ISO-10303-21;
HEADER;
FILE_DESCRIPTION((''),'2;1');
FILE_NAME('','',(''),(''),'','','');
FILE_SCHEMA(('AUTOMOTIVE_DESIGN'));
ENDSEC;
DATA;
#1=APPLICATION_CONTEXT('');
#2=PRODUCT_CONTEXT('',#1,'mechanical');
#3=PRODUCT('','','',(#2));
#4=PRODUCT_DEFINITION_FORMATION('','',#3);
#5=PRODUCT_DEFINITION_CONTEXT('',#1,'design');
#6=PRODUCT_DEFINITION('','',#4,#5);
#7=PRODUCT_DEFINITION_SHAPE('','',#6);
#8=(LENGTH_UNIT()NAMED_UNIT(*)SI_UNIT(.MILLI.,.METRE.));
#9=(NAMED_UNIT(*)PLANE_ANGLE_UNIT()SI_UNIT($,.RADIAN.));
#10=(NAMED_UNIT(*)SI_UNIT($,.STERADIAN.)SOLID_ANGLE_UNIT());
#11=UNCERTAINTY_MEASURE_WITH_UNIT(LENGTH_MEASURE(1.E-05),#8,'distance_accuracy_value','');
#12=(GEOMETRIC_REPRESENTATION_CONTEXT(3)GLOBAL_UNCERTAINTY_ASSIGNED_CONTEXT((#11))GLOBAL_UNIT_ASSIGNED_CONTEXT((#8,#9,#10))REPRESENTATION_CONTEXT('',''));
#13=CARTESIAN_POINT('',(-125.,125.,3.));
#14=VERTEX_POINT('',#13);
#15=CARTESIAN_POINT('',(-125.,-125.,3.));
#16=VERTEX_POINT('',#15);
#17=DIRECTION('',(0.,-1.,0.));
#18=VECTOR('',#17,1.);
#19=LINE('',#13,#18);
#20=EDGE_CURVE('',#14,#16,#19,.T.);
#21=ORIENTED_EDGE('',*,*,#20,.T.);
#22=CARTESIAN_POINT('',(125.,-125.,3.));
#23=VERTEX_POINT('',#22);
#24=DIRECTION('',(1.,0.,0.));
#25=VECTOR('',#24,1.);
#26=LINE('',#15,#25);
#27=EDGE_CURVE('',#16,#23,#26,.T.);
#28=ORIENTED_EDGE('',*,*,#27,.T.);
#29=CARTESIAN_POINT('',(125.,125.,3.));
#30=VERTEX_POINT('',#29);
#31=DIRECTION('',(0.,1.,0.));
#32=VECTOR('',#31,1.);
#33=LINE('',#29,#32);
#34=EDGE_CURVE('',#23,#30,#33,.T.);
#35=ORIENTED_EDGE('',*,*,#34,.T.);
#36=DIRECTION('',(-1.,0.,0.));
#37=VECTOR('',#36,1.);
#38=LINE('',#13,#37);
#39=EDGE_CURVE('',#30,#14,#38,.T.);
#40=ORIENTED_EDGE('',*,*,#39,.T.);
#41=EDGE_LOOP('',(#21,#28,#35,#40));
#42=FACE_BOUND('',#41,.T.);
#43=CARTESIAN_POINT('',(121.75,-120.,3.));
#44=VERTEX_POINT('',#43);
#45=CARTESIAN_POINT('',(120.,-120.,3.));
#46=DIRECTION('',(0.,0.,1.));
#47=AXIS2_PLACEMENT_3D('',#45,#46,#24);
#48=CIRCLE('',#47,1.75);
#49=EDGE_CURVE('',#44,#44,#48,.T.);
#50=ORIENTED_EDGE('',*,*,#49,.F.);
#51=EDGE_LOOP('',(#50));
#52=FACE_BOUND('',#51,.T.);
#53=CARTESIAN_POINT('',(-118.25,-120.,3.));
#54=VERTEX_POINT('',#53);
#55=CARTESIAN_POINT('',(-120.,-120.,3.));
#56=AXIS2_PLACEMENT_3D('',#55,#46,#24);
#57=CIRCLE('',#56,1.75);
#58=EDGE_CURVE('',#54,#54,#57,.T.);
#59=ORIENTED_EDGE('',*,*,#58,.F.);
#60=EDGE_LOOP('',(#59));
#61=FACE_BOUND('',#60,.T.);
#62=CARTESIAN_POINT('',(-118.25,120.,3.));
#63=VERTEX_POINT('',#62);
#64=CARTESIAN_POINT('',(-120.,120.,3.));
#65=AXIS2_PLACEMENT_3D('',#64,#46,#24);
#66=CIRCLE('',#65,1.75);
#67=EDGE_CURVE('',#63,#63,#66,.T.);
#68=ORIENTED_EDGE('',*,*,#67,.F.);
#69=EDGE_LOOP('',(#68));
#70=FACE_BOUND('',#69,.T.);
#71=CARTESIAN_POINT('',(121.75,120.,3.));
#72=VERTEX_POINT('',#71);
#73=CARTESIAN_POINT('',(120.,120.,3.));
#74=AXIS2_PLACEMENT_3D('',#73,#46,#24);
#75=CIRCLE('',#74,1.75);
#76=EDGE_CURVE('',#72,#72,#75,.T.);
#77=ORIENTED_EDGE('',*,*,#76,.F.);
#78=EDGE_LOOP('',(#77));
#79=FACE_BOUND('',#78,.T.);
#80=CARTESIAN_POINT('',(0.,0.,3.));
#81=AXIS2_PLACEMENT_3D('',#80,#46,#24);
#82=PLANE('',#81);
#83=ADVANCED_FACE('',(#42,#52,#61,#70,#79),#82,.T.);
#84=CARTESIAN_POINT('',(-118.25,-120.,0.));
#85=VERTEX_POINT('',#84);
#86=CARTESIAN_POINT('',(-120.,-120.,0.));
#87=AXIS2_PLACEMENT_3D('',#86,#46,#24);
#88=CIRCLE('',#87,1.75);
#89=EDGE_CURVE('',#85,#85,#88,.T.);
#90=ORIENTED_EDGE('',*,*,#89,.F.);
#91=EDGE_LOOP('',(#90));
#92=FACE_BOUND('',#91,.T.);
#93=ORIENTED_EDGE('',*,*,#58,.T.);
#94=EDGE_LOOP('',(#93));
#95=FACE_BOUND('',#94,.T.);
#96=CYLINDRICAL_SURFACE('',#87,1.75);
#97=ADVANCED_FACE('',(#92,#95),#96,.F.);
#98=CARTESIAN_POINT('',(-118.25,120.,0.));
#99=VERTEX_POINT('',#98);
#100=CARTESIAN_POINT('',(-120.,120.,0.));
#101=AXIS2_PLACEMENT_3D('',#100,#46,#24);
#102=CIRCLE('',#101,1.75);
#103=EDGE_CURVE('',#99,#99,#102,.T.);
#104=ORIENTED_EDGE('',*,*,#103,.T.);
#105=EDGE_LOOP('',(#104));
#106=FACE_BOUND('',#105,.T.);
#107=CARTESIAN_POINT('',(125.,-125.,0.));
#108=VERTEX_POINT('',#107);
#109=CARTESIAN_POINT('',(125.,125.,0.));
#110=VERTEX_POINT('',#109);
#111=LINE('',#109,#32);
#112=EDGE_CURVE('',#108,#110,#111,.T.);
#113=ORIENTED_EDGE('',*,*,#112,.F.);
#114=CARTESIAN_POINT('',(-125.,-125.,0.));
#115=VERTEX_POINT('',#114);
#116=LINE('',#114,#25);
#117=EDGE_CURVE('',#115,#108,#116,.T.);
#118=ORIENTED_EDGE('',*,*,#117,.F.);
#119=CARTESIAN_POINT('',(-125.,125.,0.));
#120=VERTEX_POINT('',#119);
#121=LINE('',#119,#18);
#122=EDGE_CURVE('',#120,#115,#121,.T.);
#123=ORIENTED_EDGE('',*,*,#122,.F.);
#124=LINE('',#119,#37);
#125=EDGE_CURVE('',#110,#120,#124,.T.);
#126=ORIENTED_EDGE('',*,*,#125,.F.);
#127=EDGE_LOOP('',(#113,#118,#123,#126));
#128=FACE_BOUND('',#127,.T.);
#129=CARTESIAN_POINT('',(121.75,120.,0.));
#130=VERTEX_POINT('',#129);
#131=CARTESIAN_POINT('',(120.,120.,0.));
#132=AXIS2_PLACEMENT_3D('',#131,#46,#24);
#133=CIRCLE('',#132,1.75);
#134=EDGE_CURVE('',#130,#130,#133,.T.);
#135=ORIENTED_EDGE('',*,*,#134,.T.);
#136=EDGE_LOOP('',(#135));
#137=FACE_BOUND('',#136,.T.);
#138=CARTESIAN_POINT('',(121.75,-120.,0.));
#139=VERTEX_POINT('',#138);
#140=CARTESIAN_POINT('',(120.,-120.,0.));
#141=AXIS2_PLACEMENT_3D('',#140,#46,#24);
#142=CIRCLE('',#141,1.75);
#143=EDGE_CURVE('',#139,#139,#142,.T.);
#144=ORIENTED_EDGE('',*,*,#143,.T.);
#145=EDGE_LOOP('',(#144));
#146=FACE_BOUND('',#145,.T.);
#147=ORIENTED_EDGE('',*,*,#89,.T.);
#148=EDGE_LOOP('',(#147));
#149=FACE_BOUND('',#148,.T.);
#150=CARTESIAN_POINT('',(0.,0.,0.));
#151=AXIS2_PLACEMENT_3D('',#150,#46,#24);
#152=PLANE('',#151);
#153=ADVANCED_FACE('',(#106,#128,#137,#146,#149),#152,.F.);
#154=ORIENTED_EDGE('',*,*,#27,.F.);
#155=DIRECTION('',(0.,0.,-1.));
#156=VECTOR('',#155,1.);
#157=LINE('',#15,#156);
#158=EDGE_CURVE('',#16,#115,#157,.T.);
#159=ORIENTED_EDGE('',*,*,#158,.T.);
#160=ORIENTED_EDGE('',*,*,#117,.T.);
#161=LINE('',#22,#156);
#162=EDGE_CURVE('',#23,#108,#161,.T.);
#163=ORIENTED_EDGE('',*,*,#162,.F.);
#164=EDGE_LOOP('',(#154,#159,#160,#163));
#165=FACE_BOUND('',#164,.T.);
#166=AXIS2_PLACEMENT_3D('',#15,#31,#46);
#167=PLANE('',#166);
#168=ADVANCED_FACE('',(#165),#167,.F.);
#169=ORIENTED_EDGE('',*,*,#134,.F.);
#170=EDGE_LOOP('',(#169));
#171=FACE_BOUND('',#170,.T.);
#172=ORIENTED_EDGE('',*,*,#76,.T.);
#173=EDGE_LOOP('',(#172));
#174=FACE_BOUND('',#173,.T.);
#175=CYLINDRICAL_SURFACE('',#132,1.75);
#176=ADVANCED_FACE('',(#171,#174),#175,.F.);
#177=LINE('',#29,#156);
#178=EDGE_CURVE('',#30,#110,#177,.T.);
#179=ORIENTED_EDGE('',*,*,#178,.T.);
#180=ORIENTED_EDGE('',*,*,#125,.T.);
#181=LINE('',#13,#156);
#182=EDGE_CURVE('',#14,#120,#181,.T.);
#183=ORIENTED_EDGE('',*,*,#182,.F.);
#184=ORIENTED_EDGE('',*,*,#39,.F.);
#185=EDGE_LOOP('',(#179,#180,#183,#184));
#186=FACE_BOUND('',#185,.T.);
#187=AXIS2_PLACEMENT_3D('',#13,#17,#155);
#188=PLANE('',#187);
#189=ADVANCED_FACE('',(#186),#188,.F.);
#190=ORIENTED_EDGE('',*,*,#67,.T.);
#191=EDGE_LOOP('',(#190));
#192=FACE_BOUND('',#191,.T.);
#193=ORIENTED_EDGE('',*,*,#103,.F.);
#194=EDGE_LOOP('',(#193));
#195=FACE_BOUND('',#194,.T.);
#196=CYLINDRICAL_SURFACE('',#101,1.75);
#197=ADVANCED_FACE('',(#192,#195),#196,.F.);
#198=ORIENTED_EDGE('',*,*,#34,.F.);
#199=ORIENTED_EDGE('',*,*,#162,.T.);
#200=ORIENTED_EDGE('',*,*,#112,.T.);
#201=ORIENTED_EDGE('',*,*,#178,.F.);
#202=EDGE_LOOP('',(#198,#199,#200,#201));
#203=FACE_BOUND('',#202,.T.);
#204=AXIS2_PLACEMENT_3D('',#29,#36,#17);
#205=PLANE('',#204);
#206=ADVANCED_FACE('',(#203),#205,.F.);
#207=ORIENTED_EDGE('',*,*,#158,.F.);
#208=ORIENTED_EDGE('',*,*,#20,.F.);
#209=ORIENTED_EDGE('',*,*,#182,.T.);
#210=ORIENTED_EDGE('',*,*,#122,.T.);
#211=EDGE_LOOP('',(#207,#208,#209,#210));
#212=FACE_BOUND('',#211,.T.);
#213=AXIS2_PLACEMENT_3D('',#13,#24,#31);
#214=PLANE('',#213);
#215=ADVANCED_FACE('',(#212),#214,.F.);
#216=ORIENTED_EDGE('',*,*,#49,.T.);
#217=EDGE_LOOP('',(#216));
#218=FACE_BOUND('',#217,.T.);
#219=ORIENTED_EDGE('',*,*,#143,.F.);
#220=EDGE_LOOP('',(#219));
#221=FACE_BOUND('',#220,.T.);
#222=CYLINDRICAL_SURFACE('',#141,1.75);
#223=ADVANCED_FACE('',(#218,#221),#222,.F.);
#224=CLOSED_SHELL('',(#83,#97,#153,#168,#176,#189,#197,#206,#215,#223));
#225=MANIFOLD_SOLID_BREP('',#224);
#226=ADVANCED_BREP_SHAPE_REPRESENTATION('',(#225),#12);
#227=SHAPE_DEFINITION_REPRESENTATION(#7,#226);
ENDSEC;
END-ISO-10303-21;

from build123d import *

# Parameters (mm, degrees)
SKETCH1_W           = 250
SKETCH1_H           = 250
BOSS_EXTRUDE1_DEPTH = 3
SKETCH3_R           = 1.75
CUT_EXTRUDE1_DEPTH  = 3


with BuildPart() as part:
    # Sketch1 → Boss-Extrude1 (new body)
    with BuildSketch(Plane.XY):
        Rectangle(SKETCH1_W, SKETCH1_H)
    extrude(amount=BOSS_EXTRUDE1_DEPTH)

    # Sketch3 → Cut-Extrude1 (cut)
    with BuildSketch(Plane.XY.offset(3)):
        with Locations((-120, 120)):
            Circle(SKETCH3_R)
        with Locations((120, 120)):
            Circle(SKETCH3_R)
        with Locations((-120, -120)):
            Circle(SKETCH3_R)
        with Locations((120, -120)):
            Circle(SKETCH3_R)
    extrude(amount=-CUT_EXTRUDE1_DEPTH, mode=Mode.SUBTRACT)


solid = part.part
